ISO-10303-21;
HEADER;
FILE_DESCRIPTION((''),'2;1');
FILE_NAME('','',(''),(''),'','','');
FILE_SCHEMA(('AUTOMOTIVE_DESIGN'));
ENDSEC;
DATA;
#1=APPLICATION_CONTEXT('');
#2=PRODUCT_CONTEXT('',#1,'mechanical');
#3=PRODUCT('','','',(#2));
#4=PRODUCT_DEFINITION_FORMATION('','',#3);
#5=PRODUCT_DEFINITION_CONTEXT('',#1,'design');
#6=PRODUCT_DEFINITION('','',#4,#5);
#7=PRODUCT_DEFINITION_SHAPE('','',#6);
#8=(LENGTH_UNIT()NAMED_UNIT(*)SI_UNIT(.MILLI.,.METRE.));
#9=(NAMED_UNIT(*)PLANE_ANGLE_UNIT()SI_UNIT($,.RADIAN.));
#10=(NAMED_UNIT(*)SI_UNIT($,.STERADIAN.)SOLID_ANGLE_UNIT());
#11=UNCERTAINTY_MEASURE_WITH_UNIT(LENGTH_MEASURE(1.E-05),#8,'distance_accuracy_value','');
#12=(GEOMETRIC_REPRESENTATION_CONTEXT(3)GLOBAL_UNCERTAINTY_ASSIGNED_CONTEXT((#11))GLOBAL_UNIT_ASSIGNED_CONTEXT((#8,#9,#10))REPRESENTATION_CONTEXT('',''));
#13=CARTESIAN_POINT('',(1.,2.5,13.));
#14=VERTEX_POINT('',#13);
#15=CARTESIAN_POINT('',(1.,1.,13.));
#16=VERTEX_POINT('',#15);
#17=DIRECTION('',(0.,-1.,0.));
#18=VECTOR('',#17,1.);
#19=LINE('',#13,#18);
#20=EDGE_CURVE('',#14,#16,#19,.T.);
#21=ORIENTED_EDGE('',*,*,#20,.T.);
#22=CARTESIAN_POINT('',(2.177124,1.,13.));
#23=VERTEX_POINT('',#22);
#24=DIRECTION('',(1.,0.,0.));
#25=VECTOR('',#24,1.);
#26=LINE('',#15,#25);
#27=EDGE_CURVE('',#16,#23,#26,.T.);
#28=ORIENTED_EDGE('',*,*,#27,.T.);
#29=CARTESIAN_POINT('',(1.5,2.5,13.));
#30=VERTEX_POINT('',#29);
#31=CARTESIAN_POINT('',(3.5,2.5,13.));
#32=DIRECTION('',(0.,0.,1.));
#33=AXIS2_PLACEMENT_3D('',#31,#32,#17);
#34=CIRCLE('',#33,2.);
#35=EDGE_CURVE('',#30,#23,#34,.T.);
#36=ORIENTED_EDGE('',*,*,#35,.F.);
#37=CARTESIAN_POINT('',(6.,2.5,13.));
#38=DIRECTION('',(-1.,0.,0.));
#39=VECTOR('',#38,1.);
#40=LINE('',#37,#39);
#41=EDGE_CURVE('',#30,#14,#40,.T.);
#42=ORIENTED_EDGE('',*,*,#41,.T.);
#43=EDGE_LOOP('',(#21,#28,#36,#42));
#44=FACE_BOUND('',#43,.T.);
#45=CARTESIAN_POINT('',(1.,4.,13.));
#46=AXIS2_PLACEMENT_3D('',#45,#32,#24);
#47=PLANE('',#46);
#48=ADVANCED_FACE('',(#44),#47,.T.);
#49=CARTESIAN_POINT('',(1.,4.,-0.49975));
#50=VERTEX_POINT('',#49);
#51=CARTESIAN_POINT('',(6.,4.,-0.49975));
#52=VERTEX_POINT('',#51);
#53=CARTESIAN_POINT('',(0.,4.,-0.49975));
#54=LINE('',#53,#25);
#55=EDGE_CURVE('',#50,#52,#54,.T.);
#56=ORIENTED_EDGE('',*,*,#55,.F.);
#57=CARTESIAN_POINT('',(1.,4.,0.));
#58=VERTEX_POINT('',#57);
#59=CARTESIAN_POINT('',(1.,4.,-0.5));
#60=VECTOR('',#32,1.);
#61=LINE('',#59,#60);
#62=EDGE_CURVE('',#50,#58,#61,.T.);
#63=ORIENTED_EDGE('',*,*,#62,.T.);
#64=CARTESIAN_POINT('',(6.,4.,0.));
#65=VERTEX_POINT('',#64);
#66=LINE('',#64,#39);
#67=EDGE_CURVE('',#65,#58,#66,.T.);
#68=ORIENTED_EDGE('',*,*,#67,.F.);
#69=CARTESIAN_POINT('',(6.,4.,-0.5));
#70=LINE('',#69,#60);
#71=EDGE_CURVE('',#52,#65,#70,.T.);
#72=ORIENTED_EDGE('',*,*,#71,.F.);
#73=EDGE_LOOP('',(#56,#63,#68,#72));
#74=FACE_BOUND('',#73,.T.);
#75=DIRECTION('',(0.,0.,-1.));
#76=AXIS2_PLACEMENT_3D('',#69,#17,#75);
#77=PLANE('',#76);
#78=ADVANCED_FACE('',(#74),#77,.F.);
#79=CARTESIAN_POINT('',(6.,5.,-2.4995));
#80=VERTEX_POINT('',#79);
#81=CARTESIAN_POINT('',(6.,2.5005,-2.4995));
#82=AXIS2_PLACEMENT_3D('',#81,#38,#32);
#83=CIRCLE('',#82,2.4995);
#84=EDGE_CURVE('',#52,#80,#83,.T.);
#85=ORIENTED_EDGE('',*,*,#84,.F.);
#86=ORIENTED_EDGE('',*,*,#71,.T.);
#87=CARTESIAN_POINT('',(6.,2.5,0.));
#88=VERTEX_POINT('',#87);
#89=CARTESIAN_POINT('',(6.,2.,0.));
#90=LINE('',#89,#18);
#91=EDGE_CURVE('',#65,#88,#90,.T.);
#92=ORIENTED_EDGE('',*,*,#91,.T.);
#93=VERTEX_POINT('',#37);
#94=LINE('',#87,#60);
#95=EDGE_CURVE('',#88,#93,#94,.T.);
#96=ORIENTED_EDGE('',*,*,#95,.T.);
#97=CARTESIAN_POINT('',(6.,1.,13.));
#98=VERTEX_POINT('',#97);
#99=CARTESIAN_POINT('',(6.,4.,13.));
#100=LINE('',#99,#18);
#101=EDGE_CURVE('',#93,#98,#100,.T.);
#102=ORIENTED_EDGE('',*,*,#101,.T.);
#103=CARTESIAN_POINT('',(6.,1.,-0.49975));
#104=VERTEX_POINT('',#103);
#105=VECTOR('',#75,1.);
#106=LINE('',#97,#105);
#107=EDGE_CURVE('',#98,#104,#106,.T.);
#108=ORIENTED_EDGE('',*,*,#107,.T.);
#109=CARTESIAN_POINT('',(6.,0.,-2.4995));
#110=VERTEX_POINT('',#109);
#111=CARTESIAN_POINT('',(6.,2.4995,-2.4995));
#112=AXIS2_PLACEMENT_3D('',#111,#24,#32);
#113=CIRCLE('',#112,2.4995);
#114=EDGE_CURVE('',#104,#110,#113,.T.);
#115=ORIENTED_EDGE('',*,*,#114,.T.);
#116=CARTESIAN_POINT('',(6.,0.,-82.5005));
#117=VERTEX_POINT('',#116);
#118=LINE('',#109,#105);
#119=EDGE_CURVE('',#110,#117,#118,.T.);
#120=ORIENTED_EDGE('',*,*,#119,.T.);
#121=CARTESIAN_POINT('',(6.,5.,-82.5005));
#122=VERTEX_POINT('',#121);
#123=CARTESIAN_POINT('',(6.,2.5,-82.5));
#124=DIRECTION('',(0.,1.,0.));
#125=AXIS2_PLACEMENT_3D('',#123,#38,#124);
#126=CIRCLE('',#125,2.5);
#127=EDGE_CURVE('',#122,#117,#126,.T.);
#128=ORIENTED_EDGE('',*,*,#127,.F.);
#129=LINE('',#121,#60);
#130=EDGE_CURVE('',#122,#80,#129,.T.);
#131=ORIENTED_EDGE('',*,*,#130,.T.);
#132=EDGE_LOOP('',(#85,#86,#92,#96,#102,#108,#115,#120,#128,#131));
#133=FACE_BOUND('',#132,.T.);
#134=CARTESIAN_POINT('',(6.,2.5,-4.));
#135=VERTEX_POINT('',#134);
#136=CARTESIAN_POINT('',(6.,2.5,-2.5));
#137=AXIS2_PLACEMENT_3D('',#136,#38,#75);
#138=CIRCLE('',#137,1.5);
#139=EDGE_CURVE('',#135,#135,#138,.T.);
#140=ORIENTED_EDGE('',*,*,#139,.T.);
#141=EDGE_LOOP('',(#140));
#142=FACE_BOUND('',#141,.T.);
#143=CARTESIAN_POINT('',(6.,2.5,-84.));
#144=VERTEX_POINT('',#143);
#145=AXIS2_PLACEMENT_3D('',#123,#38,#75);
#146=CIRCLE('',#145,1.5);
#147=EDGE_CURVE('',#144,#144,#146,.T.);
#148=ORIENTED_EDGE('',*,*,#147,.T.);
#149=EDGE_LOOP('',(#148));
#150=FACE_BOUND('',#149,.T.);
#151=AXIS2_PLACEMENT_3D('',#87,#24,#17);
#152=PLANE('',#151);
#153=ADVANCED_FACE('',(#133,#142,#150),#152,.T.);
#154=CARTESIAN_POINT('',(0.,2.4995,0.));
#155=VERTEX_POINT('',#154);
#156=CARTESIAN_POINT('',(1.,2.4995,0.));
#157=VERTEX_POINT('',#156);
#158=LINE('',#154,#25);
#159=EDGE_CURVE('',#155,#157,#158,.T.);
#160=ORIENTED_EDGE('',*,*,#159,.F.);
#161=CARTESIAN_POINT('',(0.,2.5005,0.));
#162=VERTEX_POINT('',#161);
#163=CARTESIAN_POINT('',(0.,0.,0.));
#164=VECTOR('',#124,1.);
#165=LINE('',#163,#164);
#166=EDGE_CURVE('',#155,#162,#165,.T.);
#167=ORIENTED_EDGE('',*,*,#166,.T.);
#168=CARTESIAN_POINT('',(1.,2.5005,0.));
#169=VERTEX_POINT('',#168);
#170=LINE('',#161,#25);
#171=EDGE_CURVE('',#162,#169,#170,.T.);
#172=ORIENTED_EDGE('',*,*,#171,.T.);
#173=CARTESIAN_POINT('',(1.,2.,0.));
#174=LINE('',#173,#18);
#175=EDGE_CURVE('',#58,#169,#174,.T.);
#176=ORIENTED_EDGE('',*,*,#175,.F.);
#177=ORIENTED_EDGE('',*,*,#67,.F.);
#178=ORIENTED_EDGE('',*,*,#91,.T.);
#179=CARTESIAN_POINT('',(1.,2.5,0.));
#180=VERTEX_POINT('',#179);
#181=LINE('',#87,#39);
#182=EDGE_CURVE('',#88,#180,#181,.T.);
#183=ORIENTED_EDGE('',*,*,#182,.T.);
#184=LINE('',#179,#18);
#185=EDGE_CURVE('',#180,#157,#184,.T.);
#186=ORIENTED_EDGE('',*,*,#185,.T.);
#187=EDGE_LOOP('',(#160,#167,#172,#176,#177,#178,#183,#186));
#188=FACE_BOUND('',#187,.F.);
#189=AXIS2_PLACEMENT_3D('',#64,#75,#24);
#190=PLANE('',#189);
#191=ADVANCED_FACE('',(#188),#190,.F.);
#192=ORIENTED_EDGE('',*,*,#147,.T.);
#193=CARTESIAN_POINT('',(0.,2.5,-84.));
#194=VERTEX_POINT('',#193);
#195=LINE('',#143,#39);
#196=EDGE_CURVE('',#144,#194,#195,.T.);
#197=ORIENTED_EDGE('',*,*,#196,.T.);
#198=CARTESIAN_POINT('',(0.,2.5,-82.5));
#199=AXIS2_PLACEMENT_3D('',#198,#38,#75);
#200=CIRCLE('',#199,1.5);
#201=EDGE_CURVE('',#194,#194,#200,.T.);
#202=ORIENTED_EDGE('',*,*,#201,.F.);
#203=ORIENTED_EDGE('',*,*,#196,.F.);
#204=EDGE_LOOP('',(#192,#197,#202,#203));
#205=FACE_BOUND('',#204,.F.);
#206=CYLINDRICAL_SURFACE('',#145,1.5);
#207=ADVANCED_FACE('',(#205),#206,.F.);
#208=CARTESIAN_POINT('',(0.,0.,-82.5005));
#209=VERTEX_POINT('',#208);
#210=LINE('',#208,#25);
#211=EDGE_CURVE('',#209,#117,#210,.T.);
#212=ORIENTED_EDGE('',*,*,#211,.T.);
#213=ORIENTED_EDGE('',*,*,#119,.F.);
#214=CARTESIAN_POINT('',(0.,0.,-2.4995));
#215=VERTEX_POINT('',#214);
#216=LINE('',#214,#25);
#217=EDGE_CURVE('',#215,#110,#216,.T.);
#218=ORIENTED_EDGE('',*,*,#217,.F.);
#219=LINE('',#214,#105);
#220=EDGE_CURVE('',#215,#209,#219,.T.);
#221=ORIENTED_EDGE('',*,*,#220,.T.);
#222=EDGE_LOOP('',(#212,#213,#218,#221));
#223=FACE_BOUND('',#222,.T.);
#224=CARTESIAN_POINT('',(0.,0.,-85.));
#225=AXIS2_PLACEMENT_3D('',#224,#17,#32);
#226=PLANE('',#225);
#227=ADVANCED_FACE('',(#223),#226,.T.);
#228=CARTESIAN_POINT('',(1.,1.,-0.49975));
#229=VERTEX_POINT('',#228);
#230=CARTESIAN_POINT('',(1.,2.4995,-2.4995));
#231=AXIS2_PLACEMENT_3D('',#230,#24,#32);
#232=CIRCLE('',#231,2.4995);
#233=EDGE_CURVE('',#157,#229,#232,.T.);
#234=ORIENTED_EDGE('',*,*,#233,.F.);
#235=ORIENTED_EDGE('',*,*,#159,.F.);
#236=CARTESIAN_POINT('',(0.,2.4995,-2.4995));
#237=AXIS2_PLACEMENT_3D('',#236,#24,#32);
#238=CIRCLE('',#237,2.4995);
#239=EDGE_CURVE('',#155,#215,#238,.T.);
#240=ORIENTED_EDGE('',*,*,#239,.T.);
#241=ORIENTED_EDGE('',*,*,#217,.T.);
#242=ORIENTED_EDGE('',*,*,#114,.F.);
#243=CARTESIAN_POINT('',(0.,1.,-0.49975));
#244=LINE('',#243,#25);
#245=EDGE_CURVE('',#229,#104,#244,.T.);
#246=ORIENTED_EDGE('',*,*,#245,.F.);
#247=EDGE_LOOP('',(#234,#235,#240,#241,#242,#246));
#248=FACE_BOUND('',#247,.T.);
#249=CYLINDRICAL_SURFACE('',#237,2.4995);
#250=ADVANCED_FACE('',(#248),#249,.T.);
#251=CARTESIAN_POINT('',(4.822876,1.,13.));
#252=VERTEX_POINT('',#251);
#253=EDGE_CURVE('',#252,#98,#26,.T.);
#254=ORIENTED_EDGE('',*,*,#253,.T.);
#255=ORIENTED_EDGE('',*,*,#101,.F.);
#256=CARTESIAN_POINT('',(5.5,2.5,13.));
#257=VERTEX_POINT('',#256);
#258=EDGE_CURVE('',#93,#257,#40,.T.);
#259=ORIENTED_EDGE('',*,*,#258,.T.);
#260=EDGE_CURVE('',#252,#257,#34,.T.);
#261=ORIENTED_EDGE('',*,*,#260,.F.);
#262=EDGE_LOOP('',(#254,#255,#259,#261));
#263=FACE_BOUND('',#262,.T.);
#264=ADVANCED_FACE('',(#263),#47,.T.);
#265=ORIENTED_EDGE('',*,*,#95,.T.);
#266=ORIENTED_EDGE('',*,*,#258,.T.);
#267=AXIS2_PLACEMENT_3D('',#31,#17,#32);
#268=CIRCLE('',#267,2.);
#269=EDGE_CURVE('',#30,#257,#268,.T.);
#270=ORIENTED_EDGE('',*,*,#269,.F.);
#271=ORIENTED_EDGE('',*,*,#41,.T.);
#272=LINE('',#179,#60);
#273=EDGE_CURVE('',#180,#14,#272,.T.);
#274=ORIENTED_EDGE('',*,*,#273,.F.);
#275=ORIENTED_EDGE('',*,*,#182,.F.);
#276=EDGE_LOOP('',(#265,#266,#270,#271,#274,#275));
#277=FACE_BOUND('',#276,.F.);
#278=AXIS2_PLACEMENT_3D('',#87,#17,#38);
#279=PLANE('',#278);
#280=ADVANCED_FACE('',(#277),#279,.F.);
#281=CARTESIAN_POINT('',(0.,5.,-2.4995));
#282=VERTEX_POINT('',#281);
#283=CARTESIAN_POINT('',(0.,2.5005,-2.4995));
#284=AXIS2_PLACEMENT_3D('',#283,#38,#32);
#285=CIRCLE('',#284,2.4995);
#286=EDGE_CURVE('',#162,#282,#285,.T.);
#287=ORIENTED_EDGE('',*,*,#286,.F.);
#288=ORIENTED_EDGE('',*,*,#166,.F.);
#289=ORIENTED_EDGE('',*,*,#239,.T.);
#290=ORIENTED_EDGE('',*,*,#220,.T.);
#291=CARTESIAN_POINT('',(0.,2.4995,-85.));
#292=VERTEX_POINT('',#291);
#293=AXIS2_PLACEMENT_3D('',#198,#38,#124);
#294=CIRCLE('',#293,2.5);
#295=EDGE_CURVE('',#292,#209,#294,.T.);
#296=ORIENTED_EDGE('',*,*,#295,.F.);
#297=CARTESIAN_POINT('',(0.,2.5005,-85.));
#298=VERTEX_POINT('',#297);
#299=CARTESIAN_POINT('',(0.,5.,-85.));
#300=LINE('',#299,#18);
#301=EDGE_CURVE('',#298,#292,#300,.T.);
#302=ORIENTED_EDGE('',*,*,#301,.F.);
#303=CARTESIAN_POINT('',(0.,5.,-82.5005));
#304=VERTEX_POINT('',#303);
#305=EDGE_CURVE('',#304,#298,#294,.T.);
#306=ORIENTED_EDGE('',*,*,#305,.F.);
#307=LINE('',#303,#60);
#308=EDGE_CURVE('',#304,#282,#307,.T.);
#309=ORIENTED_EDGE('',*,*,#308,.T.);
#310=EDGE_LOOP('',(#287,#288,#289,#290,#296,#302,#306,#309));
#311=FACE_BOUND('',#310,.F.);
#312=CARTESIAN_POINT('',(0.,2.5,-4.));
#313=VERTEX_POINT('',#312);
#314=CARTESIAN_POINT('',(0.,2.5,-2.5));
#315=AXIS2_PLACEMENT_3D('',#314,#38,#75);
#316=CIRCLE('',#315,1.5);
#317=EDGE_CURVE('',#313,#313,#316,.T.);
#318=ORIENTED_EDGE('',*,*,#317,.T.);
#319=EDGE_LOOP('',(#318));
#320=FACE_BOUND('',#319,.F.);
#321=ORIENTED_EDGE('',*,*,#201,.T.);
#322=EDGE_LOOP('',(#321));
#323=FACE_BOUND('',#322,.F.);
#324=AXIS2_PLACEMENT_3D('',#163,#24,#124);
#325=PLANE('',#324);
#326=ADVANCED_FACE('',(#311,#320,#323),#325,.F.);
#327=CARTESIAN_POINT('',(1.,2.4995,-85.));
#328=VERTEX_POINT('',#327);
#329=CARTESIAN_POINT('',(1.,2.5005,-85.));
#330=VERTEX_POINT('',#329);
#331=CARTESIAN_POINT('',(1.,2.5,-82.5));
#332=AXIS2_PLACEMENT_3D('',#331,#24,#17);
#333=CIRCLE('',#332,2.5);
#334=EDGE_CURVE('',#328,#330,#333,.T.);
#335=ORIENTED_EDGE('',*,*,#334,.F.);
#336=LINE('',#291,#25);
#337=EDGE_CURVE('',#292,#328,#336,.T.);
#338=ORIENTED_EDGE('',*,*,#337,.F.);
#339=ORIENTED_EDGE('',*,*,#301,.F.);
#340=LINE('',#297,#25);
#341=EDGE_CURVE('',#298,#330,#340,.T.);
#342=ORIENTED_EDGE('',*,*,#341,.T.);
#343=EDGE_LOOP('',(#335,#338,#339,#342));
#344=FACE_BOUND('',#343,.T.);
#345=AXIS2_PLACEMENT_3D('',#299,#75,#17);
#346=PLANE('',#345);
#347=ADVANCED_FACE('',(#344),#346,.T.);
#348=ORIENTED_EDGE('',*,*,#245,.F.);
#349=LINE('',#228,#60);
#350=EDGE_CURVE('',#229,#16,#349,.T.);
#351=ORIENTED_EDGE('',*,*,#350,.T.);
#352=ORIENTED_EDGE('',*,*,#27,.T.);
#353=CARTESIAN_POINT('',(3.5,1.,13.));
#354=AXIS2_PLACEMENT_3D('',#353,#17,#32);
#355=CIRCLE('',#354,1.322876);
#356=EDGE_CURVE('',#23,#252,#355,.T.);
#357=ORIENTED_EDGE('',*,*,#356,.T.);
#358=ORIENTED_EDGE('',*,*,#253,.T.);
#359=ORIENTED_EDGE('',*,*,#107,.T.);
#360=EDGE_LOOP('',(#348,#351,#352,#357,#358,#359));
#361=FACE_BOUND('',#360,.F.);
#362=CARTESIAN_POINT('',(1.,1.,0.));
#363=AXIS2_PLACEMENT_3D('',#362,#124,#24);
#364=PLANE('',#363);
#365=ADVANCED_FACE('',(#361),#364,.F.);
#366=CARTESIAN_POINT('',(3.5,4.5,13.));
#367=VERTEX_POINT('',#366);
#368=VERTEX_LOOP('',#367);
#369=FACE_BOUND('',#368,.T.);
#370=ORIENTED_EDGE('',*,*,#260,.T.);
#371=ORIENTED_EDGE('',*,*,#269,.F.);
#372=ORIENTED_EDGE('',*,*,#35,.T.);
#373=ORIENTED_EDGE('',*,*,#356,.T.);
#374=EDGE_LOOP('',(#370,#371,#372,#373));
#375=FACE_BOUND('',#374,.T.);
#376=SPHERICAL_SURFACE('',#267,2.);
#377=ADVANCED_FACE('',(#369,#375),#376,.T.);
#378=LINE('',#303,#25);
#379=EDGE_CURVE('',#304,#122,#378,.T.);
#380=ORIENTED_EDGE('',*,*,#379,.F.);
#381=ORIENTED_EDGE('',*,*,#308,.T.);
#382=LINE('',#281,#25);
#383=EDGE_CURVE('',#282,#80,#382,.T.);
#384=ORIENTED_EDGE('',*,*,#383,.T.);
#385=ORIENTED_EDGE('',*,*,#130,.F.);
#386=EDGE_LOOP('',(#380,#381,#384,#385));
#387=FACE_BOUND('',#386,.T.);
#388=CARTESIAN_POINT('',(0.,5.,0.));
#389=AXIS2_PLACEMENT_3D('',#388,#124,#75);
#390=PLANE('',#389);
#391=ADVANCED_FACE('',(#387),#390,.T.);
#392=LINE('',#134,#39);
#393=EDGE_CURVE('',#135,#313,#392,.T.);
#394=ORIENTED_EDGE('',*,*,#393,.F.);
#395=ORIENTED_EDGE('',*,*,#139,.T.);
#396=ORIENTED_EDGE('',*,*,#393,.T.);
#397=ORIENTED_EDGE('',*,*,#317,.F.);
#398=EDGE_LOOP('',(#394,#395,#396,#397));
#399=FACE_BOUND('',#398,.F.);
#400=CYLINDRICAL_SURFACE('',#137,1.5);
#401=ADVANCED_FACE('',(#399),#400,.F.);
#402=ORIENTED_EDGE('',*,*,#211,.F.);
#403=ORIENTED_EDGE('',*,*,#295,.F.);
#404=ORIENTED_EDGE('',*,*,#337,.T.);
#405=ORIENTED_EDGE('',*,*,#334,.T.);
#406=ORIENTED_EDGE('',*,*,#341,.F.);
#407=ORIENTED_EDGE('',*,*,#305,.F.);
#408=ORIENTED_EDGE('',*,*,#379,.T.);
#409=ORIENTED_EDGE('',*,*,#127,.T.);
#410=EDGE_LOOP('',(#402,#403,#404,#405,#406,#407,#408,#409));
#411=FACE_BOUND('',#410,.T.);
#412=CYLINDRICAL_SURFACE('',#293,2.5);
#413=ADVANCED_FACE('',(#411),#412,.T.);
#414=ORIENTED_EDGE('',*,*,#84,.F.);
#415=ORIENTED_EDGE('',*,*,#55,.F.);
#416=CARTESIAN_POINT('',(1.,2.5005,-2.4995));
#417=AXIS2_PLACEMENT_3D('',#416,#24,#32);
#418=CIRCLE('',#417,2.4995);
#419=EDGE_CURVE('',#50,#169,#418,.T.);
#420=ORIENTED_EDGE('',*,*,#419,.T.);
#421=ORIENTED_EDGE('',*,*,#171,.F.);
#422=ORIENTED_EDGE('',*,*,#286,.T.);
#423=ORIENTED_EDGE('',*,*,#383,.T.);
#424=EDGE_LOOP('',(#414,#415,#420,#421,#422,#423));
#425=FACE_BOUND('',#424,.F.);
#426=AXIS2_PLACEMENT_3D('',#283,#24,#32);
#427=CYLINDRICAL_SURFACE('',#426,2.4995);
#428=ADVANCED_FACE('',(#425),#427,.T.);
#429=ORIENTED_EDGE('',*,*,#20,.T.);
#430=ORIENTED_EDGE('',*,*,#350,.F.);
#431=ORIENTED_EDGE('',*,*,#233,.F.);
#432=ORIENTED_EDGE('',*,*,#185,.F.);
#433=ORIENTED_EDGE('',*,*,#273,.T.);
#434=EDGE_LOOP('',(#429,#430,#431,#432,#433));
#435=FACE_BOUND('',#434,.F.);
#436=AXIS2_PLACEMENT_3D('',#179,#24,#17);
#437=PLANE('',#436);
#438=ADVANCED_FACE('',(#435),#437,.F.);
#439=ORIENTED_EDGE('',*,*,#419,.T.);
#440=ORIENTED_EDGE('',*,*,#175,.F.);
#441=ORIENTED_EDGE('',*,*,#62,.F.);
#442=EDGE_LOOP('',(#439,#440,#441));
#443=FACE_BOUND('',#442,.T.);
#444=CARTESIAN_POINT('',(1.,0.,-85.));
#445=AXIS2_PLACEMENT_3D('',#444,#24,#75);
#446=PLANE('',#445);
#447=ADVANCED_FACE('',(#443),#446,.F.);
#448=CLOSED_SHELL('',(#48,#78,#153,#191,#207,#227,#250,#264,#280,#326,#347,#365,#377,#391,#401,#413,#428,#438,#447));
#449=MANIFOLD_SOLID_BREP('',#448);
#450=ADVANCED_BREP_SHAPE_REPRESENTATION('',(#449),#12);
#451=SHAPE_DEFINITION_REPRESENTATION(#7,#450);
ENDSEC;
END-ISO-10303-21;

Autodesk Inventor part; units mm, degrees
sketch "草圖1" plane through (0, 0, 0) normal (1, 0, 0) x (0, 1, 0)
  line L0 (0, 0) -> (5, 0)
  line L1 (5, 0) -> (5, -85)
  line L2 (5, -85) -> (0, -85)
  line L3 (0, -85) -> (0, 0)
  dimension "d0" = 5
  dimension "d1" = 85
extrude "擠出1" add sketch "草圖1" along normal blind 6
fillet "圓角1" radius 2.5 2 edges at (3, 5, 0) (3, 0, 0)
hole "孔1" at (6, 2.5, -2.5) direction (-1, 0, 0) diameter 3 end through all
fillet "圓角2" radius 2.5 2 edges at (3, 5, -85) (3, 0, -85)
hole "孔2" at (6, 2.5, -82.5) direction (-1, 0, 0) diameter 3 end through all
sketch "草圖2" plane through (6, 0, 0) normal (1, 0, 0) x (0, 0, -1)
  line L0 (0, -1) -> (0, 6) projected
  line L1 (0, -1) -> (0, 6) projected
  line L2 (120, 0) -> (-20, 0) projected
  circle A0 centre (82.5, 2.5) radius 1.5 projected
  circle A1 centre (2.5, 2.5) radius 1.5 projected
  arc A2 (82.5, 0) -> (82.5, 5) centre (82.5, 2.5) ccw projected
  line L3 (82.5, 5) -> (2.5, 5) projected
  arc A3 (2.5, 5) -> (2.5, 0) centre (2.5, 2.5) ccw projected
  line L4 (2.5, 0) -> (82.5, 0) projected
  circle A4 centre (98.5, 2.5) radius 1.5
  circle A5 centre (82.5, 2.5) radius 1.5 projected
  line L5 (84.5, 4) -> (98.5, 4)
  line L6 (98.5, 4) -> (98.5, 1)
  line L7 (98.5, 1) -> (84.5, 1)
  point P0 (0, 0)
  dimension "d24" = 3
  dimension "d25" = 16
extrude "擠出2" add sketch "草圖2" against normal blind 5 contours A2 L5 A4 L7 | L6 A4 | A4 L6
ref_plane "工作平面1" through (3, 0, 0) normal (1, 0, 0) x (0, 0, -1)
sketch "草圖3" plane through (3, 0, 0) normal (1, 0, 0) x (0, 0, -1)
  arc A0 (98.5, 1) -> (98.5, 4) centre (98.5, 2.5) ccw projected
  line L0 (98.5, 1) -> (102.8586, 1)
  line L1 (102.8586, 1) -> (102.8586, 5.3685)
  line L2 (102.8586, 5.3685) -> (98.5, 5.3685)
  line L3 (98.5, 5.3685) -> (98.5, 1)
  point P0 (0, 0)
extrude "擠出3" cut sketch "草圖3" along normal mid plane 6
sketch "草圖4" plane through (3, 0, 0) normal (1, 0, 0) x (0, 0, -1)
  line L0 (98.5, 4) -> (98.5, 1) projected
  arc A0 (98.5, 0) -> (98.5, 5) centre (98.5, 2.5) ccw
  line L1 (98.5, 5) -> (98.5, 0)
  point P0 (0, 0)
  dimension "d30" = 5
revolve "迴轉1" add sketch "草圖4" angle 360 about axis through (3, 5, -98.5) along (0, -1, 0)
ref_plane "工作平面3" through (-79.3581, 2.5, -42.5) normal (0, 0, 1) x (1, 0, 0)
ref_plane "工作平面2" through (-79.3581, 2.5, -2.5) normal (0, 0, 1) x (1, 0, 0)
mirror "鏡射1" about plane through (-79.3581, 2.5, -42.5) normal (0, 0, 1) of "迴轉1", "擠出2", "擠出3"
sketch "草圖5" plane through (0, 0, 0) normal (-1, 0, 0) x (0, 0, 1)
  circle A0 centre (-82.5, 2.5) radius 1.5 projected
  arc A1 (-82.5, 5) -> (-82.5, 0) centre (-82.5, 2.5) ccw projected
  line L0 (-82.5, 0) -> (-2.5, 0) projected
  arc A2 (-2.5, 0) -> (-2.5, 5) centre (-2.5, 2.5) ccw projected
  line L1 (-2.5, 5) -> (-82.5, 5) projected
  circle A3 centre (-2.5, 2.5) radius 1.5 projected
  line L2 (-82.5, 0) -> (-111.7443, 0)
  line L3 (-111.7443, 0) -> (-111.7443, 9.7981)
  line L4 (-111.7443, 9.7981) -> (-82.5, 9.7981)
  line L5 (-82.5, 9.7981) -> (-82.5, 5)
  point P0 (0, 0)
extrude "擠出4" cut sketch "草圖5" against normal blind 68 contours A1 L2 L3 L4 L5
sketch "草圖6" plane through (6, 4, 13.5) normal (0, 1, 0) x (1, 0, 0)
  line L0 (-5, 14) -> (-5, 0) projected
  line L1 (0, 14) -> (0, 0) projected
  line L2 (-5, 3.7503) -> (0, 3.7503)
  line L3 (0, 3.7503) -> (0, 5.4836)
  line L4 (0, 5.4836) -> (-5, 5.4836)
  line L5 (-5, 5.4836) -> (-5, 3.7503)
  line L6 (-6, 13.5) -> (3.0826, 13.5)
  line L7 (3.0826, 13.5) -> (3.0826, -5.8508)
  line L8 (3.0826, -5.8508) -> (-6, -5.8508)
  line L9 (-6, -5.8508) -> (-6, 13.5)
  dimension "d36" = 1.7333
extrude "擠出5" cut sketch "草圖6" along normal mid plane 34.75 contours L0 L2 L1 L6 L7 L8 L9 | L0 L6 L1 L4
sketch "草圖7" plane through (1, 4, 9.7497) normal (0, 1, 0) x (1, 0, 0)
  line L0 (6.9259, 3.5729) -> (-0.7883, 3.5729)
  line L1 (-0.7883, 3.5729) -> (-0.7883, -1.5637)
  line L2 (-0.7883, -1.5637) -> (6.9259, -1.5637)
  line L3 (6.9259, -1.5637) -> (6.9259, 3.5729)
  point P0 (-1, 9.7497)
extrude "擠出6" cut sketch "草圖7" against normal blind 68.5
sketch "草圖8" plane through (1, 4, 0) normal (0, 0, 1) x (1, 0, 0)
  line L0 (0, -1.5) -> (0, -3) projected
  line L1 (5, 0) -> (5, -3) projected
  line L2 (0, -3) -> (5, -3)
  line L3 (5, -3) -> (5, -1.5)
  line L4 (5, -1.5) -> (0, -1.5)
  line L5 (0, -1.5) -> (0, -3)
  point P0 (-1, -4)
extrude "擠出7" add sketch "草圖8" along normal blind 13
ref_plane "工作平面5" through (3.5, 0, 0) normal (1, 0, 0) x (0, 0, -1)
sketch "草圖10" plane through (3.5, 0, 0) normal (1, 0, 0) x (0, 0, -1)
  line L0 (-13, 2.5) -> (-13, 1) projected
  arc A0 (-13, 4.5) -> (-13, 0.5) centre (-13, 2.5) ccw
  line L1 (-13, 4.5) -> (-13, 0.5)
  point P0 (0, 0)
  dimension "d45" = 4
revolve "迴轉3" add sketch "草圖10" angle 360 about axis through (3.5, 4.5, 13) along (0, -1, 0)
ref_plane "工作平面4" through (3, 0, -85) normal (-1, 0, 0) x (0, 0, 1)
properties part number "支架4-9"
